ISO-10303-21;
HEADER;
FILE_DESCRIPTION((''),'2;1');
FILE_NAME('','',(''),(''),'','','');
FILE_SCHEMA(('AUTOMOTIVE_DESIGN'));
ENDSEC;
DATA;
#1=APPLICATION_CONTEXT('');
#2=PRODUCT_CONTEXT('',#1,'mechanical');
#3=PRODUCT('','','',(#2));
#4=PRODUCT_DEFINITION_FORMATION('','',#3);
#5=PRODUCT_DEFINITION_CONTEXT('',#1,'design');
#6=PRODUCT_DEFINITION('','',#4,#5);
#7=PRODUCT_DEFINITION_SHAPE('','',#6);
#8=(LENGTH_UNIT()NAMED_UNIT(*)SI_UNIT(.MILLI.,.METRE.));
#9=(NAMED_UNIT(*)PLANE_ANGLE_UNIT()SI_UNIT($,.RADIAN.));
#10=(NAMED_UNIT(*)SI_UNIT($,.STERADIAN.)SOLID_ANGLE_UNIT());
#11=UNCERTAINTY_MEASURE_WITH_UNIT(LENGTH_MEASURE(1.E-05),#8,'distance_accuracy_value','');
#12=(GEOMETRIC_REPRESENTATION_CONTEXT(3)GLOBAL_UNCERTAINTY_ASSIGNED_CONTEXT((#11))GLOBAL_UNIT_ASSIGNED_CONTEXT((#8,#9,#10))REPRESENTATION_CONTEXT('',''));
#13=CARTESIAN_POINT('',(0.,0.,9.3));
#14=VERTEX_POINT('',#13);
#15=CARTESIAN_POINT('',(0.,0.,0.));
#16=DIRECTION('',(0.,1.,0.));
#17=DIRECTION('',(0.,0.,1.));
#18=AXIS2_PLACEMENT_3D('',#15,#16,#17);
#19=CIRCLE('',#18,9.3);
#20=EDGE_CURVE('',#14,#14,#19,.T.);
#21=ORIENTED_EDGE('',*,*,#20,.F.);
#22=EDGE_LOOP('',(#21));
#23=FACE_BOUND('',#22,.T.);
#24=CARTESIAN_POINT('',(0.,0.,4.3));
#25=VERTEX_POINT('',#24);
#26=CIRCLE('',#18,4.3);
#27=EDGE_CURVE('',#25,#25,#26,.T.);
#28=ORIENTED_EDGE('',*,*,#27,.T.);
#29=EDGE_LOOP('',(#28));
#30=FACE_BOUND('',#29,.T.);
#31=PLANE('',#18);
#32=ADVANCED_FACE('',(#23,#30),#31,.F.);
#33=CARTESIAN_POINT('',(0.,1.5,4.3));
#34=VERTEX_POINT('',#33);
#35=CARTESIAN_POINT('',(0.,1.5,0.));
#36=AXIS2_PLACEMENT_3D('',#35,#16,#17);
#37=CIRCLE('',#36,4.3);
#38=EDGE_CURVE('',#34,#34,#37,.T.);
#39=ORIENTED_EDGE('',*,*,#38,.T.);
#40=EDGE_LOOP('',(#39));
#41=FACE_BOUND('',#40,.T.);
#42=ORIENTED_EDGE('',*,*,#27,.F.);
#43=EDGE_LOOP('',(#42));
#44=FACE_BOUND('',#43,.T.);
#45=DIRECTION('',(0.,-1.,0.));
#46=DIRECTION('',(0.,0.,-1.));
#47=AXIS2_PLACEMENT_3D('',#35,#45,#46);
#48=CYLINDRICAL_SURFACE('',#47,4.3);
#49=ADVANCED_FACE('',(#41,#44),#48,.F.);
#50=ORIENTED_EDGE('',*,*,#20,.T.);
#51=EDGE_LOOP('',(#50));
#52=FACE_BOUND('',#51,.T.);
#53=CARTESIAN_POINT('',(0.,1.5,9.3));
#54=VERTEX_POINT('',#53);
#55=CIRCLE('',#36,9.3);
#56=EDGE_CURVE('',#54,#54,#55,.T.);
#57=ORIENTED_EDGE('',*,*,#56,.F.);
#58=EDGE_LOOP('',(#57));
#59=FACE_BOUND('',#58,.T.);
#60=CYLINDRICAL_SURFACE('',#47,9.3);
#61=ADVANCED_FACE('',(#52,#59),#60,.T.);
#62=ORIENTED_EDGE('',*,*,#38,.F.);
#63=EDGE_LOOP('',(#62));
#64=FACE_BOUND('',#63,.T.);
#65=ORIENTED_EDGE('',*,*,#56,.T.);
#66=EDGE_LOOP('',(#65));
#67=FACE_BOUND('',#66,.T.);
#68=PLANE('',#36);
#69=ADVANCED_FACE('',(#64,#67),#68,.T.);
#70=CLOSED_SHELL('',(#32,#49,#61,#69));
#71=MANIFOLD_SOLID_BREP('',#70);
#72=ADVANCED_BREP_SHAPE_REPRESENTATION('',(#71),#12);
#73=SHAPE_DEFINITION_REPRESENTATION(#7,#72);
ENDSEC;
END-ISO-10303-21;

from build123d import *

# Parameters (mm, degrees)
SKETCH_1_R      = 9.3
SKETCH_1_R_2    = 4.3
EXTRUDE_1_DEPTH = 1.5


with BuildPart() as part:
    # 草图1 → 凸台-拉伸1 (new body)
    with BuildSketch(Plane(origin=(0, 0, 0), x_dir=(1, 0, 0), z_dir=(0, 1, 0))):
        Circle(SKETCH_1_R)
        Circle(SKETCH_1_R_2, mode=Mode.SUBTRACT)
    extrude(amount=EXTRUDE_1_DEPTH)


solid = part.part
